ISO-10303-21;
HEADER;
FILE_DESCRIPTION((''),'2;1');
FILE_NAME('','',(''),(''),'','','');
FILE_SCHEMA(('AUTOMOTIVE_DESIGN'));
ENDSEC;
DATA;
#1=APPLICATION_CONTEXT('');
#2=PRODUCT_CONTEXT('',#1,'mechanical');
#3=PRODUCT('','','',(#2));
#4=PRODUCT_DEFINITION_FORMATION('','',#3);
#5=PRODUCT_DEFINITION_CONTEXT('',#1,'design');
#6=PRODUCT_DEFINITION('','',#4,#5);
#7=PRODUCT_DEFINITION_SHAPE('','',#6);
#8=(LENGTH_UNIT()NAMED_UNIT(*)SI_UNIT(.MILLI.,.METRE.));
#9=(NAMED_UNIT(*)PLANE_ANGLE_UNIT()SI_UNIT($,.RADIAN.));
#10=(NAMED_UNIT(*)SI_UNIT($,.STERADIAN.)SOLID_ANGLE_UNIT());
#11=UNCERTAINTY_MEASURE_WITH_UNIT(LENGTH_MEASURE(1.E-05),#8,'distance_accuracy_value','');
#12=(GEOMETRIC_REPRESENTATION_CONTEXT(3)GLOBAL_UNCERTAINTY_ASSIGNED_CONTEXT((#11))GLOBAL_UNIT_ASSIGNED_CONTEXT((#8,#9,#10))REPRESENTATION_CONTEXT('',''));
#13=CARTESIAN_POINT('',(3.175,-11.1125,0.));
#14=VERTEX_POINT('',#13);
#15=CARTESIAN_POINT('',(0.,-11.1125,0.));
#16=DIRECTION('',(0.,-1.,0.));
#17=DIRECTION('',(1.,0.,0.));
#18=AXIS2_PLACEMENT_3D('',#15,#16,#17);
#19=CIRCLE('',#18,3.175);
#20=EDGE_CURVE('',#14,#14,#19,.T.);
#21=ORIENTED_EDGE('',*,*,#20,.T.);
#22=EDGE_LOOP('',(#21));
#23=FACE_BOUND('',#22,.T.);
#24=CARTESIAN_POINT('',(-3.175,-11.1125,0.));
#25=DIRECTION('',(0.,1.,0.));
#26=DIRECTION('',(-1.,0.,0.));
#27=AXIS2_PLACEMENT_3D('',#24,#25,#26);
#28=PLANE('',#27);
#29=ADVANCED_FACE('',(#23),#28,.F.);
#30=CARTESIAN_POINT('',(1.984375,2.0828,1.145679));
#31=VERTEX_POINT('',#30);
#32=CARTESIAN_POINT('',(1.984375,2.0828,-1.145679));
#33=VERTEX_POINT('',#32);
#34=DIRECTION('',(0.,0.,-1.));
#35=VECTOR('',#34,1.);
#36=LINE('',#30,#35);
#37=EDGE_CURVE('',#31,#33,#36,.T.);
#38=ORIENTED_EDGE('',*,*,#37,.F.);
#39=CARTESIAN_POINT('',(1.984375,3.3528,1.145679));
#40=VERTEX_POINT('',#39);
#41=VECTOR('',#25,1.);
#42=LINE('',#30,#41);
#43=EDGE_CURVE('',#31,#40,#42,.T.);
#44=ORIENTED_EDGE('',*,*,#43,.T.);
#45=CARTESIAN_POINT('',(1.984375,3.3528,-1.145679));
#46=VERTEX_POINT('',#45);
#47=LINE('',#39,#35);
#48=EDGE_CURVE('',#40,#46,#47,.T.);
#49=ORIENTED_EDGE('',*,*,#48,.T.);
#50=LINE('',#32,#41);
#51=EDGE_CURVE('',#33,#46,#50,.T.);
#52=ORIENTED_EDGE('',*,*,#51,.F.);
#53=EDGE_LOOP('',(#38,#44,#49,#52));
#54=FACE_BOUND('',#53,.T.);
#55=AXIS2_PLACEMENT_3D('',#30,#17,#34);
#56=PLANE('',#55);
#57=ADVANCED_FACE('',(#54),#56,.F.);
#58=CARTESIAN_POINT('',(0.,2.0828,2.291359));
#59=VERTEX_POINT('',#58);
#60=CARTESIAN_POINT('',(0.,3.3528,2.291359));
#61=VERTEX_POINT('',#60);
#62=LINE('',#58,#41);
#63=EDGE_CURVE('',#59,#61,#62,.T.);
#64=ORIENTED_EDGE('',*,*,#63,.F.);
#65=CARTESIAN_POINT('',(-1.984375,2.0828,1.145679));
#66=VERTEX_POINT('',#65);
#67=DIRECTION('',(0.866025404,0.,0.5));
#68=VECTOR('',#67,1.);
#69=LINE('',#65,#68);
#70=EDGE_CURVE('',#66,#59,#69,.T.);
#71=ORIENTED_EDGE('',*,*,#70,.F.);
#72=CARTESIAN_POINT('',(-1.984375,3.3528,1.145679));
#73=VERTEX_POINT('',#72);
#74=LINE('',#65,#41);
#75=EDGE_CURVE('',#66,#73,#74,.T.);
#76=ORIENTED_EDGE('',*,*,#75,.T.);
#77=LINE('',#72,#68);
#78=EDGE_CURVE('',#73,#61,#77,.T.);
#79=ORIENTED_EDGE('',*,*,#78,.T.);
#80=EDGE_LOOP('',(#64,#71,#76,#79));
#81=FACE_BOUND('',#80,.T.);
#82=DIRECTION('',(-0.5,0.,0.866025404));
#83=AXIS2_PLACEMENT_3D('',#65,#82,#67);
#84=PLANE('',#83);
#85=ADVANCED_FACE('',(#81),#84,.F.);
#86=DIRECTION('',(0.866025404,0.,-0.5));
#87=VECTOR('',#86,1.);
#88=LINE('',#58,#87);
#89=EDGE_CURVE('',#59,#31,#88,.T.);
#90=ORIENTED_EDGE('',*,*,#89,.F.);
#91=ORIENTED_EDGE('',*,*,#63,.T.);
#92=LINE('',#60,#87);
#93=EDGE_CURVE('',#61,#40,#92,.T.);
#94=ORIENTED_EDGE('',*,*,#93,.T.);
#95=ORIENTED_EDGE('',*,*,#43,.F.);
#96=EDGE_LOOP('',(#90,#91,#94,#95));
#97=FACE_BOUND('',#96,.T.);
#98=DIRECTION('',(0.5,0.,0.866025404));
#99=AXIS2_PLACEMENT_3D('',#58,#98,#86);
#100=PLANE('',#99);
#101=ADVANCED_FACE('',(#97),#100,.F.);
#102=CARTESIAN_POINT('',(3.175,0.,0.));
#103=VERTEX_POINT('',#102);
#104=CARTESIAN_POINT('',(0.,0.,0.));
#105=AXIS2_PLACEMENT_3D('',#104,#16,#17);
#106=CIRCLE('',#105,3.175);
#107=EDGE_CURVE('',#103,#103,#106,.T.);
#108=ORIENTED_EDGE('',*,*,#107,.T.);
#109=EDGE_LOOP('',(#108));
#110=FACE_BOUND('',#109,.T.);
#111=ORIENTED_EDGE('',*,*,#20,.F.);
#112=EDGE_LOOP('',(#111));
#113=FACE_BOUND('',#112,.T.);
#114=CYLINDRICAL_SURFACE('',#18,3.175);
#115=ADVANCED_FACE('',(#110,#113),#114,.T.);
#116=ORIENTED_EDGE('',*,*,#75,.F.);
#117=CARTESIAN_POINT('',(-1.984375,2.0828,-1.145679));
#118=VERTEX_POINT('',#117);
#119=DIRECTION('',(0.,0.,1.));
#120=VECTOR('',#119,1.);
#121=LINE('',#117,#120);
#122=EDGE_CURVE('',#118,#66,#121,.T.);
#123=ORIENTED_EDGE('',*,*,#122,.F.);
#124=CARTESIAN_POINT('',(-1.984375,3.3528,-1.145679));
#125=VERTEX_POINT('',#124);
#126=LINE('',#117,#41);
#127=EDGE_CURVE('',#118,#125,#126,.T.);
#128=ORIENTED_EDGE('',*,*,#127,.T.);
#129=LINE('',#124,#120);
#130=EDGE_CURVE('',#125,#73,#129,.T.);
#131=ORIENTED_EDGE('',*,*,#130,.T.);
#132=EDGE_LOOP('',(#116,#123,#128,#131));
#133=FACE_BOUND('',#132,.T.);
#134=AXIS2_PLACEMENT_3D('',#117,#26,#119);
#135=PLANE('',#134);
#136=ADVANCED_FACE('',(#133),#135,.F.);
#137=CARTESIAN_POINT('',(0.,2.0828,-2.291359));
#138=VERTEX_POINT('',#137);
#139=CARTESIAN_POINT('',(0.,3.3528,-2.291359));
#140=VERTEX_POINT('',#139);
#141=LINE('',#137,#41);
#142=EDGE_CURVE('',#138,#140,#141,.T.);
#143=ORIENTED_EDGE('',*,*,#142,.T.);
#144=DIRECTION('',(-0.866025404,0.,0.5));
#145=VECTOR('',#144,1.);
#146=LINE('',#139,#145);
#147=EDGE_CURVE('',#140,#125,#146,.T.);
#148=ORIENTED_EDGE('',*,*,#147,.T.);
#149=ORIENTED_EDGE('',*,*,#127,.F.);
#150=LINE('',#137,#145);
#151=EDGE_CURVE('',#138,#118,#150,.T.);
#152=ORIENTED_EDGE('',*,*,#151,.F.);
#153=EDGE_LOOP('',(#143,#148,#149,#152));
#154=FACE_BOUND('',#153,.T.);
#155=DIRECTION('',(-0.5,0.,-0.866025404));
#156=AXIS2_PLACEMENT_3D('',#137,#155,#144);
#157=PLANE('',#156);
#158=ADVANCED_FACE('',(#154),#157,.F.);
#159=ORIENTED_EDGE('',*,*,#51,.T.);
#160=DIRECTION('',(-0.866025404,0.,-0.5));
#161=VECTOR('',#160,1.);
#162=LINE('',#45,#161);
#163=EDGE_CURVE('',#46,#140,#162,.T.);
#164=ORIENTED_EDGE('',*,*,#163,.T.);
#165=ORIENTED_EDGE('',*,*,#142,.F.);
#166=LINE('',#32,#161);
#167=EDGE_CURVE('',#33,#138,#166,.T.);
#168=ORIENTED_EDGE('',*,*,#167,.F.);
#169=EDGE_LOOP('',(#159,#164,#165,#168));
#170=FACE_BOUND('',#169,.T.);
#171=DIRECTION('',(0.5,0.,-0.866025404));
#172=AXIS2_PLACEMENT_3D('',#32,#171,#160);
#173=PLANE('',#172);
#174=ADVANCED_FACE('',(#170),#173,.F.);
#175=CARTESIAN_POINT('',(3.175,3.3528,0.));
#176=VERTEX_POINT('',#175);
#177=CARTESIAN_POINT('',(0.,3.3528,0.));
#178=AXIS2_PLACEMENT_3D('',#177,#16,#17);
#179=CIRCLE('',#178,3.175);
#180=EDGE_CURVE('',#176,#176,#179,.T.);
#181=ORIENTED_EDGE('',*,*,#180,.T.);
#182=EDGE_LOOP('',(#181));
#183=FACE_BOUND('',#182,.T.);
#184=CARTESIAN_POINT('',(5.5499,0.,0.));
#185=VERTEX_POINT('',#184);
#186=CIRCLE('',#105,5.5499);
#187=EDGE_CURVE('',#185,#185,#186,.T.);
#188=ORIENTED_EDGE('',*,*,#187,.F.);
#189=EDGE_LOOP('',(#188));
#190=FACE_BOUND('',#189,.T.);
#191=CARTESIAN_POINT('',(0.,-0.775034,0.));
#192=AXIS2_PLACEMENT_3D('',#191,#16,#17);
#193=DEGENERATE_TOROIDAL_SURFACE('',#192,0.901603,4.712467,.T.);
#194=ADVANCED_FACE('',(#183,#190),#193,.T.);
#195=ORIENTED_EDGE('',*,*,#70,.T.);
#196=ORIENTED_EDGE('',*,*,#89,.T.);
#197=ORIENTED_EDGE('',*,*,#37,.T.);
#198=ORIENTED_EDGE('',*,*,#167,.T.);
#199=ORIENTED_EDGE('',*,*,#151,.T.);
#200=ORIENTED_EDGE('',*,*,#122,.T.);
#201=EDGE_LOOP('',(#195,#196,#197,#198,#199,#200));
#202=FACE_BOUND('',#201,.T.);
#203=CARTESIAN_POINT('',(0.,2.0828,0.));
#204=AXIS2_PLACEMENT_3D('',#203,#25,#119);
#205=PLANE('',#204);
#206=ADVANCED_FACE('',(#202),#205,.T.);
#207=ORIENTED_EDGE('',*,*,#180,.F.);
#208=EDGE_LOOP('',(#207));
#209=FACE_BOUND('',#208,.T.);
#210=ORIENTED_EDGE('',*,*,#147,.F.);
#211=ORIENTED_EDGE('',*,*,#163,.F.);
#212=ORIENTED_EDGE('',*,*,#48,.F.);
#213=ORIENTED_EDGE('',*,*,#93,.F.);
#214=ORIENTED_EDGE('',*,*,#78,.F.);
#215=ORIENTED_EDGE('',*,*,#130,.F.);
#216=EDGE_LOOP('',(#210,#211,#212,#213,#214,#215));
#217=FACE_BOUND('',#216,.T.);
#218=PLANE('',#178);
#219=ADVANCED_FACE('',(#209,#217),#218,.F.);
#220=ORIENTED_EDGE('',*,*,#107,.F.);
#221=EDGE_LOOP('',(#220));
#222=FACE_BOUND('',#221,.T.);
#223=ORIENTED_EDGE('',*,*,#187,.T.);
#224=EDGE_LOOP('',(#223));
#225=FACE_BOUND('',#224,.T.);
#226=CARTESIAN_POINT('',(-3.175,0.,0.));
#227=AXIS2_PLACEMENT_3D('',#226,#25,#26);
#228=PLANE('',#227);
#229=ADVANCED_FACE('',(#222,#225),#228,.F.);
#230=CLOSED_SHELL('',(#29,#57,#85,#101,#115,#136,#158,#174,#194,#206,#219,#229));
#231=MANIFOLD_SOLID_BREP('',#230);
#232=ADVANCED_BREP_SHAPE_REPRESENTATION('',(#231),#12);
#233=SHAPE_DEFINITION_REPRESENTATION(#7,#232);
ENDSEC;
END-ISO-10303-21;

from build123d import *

# Parameters (mm, degrees)
CUT_EXTRUDE1_DEPTH = 1.27


with BuildPart() as part:
    # Sketch1 → Revolve1 (revolve)
    with BuildSketch(Plane.XY):
        with BuildLine():
            Line((-3.175, 0), (-5.5499, 0))
            ThreePointArc((-5.5499, 0), (-4.747091081, 1.948854099), (-3.175, 3.3528))
            Line((-3.175, 3.3528), (0, 3.3528))
            Line((0, 3.3528), (0, -11.1125))
            Line((0, -11.1125), (-3.175, -11.1125))
            Line((-3.175, -11.1125), (-3.175, 0))
        make_face()
    revolve(axis=Axis((0, -11.1125, 0), (0, 1, 0)))

    # Sketch2 → Cut-Extrude1 (cut)
    with BuildSketch(Plane(origin=(0, 3.3528, 0), x_dir=(1, 0, 0), z_dir=(0, 1, 0))):
        Polygon((-1.984375, 1.14567944), (-1.984375, -1.14567944), (0, -2.291358881), (1.984375, -1.14567944), (1.984375, 1.14567944), (0, 2.291358881), align=None)
    extrude(amount=-CUT_EXTRUDE1_DEPTH, mode=Mode.SUBTRACT)


solid = part.part
